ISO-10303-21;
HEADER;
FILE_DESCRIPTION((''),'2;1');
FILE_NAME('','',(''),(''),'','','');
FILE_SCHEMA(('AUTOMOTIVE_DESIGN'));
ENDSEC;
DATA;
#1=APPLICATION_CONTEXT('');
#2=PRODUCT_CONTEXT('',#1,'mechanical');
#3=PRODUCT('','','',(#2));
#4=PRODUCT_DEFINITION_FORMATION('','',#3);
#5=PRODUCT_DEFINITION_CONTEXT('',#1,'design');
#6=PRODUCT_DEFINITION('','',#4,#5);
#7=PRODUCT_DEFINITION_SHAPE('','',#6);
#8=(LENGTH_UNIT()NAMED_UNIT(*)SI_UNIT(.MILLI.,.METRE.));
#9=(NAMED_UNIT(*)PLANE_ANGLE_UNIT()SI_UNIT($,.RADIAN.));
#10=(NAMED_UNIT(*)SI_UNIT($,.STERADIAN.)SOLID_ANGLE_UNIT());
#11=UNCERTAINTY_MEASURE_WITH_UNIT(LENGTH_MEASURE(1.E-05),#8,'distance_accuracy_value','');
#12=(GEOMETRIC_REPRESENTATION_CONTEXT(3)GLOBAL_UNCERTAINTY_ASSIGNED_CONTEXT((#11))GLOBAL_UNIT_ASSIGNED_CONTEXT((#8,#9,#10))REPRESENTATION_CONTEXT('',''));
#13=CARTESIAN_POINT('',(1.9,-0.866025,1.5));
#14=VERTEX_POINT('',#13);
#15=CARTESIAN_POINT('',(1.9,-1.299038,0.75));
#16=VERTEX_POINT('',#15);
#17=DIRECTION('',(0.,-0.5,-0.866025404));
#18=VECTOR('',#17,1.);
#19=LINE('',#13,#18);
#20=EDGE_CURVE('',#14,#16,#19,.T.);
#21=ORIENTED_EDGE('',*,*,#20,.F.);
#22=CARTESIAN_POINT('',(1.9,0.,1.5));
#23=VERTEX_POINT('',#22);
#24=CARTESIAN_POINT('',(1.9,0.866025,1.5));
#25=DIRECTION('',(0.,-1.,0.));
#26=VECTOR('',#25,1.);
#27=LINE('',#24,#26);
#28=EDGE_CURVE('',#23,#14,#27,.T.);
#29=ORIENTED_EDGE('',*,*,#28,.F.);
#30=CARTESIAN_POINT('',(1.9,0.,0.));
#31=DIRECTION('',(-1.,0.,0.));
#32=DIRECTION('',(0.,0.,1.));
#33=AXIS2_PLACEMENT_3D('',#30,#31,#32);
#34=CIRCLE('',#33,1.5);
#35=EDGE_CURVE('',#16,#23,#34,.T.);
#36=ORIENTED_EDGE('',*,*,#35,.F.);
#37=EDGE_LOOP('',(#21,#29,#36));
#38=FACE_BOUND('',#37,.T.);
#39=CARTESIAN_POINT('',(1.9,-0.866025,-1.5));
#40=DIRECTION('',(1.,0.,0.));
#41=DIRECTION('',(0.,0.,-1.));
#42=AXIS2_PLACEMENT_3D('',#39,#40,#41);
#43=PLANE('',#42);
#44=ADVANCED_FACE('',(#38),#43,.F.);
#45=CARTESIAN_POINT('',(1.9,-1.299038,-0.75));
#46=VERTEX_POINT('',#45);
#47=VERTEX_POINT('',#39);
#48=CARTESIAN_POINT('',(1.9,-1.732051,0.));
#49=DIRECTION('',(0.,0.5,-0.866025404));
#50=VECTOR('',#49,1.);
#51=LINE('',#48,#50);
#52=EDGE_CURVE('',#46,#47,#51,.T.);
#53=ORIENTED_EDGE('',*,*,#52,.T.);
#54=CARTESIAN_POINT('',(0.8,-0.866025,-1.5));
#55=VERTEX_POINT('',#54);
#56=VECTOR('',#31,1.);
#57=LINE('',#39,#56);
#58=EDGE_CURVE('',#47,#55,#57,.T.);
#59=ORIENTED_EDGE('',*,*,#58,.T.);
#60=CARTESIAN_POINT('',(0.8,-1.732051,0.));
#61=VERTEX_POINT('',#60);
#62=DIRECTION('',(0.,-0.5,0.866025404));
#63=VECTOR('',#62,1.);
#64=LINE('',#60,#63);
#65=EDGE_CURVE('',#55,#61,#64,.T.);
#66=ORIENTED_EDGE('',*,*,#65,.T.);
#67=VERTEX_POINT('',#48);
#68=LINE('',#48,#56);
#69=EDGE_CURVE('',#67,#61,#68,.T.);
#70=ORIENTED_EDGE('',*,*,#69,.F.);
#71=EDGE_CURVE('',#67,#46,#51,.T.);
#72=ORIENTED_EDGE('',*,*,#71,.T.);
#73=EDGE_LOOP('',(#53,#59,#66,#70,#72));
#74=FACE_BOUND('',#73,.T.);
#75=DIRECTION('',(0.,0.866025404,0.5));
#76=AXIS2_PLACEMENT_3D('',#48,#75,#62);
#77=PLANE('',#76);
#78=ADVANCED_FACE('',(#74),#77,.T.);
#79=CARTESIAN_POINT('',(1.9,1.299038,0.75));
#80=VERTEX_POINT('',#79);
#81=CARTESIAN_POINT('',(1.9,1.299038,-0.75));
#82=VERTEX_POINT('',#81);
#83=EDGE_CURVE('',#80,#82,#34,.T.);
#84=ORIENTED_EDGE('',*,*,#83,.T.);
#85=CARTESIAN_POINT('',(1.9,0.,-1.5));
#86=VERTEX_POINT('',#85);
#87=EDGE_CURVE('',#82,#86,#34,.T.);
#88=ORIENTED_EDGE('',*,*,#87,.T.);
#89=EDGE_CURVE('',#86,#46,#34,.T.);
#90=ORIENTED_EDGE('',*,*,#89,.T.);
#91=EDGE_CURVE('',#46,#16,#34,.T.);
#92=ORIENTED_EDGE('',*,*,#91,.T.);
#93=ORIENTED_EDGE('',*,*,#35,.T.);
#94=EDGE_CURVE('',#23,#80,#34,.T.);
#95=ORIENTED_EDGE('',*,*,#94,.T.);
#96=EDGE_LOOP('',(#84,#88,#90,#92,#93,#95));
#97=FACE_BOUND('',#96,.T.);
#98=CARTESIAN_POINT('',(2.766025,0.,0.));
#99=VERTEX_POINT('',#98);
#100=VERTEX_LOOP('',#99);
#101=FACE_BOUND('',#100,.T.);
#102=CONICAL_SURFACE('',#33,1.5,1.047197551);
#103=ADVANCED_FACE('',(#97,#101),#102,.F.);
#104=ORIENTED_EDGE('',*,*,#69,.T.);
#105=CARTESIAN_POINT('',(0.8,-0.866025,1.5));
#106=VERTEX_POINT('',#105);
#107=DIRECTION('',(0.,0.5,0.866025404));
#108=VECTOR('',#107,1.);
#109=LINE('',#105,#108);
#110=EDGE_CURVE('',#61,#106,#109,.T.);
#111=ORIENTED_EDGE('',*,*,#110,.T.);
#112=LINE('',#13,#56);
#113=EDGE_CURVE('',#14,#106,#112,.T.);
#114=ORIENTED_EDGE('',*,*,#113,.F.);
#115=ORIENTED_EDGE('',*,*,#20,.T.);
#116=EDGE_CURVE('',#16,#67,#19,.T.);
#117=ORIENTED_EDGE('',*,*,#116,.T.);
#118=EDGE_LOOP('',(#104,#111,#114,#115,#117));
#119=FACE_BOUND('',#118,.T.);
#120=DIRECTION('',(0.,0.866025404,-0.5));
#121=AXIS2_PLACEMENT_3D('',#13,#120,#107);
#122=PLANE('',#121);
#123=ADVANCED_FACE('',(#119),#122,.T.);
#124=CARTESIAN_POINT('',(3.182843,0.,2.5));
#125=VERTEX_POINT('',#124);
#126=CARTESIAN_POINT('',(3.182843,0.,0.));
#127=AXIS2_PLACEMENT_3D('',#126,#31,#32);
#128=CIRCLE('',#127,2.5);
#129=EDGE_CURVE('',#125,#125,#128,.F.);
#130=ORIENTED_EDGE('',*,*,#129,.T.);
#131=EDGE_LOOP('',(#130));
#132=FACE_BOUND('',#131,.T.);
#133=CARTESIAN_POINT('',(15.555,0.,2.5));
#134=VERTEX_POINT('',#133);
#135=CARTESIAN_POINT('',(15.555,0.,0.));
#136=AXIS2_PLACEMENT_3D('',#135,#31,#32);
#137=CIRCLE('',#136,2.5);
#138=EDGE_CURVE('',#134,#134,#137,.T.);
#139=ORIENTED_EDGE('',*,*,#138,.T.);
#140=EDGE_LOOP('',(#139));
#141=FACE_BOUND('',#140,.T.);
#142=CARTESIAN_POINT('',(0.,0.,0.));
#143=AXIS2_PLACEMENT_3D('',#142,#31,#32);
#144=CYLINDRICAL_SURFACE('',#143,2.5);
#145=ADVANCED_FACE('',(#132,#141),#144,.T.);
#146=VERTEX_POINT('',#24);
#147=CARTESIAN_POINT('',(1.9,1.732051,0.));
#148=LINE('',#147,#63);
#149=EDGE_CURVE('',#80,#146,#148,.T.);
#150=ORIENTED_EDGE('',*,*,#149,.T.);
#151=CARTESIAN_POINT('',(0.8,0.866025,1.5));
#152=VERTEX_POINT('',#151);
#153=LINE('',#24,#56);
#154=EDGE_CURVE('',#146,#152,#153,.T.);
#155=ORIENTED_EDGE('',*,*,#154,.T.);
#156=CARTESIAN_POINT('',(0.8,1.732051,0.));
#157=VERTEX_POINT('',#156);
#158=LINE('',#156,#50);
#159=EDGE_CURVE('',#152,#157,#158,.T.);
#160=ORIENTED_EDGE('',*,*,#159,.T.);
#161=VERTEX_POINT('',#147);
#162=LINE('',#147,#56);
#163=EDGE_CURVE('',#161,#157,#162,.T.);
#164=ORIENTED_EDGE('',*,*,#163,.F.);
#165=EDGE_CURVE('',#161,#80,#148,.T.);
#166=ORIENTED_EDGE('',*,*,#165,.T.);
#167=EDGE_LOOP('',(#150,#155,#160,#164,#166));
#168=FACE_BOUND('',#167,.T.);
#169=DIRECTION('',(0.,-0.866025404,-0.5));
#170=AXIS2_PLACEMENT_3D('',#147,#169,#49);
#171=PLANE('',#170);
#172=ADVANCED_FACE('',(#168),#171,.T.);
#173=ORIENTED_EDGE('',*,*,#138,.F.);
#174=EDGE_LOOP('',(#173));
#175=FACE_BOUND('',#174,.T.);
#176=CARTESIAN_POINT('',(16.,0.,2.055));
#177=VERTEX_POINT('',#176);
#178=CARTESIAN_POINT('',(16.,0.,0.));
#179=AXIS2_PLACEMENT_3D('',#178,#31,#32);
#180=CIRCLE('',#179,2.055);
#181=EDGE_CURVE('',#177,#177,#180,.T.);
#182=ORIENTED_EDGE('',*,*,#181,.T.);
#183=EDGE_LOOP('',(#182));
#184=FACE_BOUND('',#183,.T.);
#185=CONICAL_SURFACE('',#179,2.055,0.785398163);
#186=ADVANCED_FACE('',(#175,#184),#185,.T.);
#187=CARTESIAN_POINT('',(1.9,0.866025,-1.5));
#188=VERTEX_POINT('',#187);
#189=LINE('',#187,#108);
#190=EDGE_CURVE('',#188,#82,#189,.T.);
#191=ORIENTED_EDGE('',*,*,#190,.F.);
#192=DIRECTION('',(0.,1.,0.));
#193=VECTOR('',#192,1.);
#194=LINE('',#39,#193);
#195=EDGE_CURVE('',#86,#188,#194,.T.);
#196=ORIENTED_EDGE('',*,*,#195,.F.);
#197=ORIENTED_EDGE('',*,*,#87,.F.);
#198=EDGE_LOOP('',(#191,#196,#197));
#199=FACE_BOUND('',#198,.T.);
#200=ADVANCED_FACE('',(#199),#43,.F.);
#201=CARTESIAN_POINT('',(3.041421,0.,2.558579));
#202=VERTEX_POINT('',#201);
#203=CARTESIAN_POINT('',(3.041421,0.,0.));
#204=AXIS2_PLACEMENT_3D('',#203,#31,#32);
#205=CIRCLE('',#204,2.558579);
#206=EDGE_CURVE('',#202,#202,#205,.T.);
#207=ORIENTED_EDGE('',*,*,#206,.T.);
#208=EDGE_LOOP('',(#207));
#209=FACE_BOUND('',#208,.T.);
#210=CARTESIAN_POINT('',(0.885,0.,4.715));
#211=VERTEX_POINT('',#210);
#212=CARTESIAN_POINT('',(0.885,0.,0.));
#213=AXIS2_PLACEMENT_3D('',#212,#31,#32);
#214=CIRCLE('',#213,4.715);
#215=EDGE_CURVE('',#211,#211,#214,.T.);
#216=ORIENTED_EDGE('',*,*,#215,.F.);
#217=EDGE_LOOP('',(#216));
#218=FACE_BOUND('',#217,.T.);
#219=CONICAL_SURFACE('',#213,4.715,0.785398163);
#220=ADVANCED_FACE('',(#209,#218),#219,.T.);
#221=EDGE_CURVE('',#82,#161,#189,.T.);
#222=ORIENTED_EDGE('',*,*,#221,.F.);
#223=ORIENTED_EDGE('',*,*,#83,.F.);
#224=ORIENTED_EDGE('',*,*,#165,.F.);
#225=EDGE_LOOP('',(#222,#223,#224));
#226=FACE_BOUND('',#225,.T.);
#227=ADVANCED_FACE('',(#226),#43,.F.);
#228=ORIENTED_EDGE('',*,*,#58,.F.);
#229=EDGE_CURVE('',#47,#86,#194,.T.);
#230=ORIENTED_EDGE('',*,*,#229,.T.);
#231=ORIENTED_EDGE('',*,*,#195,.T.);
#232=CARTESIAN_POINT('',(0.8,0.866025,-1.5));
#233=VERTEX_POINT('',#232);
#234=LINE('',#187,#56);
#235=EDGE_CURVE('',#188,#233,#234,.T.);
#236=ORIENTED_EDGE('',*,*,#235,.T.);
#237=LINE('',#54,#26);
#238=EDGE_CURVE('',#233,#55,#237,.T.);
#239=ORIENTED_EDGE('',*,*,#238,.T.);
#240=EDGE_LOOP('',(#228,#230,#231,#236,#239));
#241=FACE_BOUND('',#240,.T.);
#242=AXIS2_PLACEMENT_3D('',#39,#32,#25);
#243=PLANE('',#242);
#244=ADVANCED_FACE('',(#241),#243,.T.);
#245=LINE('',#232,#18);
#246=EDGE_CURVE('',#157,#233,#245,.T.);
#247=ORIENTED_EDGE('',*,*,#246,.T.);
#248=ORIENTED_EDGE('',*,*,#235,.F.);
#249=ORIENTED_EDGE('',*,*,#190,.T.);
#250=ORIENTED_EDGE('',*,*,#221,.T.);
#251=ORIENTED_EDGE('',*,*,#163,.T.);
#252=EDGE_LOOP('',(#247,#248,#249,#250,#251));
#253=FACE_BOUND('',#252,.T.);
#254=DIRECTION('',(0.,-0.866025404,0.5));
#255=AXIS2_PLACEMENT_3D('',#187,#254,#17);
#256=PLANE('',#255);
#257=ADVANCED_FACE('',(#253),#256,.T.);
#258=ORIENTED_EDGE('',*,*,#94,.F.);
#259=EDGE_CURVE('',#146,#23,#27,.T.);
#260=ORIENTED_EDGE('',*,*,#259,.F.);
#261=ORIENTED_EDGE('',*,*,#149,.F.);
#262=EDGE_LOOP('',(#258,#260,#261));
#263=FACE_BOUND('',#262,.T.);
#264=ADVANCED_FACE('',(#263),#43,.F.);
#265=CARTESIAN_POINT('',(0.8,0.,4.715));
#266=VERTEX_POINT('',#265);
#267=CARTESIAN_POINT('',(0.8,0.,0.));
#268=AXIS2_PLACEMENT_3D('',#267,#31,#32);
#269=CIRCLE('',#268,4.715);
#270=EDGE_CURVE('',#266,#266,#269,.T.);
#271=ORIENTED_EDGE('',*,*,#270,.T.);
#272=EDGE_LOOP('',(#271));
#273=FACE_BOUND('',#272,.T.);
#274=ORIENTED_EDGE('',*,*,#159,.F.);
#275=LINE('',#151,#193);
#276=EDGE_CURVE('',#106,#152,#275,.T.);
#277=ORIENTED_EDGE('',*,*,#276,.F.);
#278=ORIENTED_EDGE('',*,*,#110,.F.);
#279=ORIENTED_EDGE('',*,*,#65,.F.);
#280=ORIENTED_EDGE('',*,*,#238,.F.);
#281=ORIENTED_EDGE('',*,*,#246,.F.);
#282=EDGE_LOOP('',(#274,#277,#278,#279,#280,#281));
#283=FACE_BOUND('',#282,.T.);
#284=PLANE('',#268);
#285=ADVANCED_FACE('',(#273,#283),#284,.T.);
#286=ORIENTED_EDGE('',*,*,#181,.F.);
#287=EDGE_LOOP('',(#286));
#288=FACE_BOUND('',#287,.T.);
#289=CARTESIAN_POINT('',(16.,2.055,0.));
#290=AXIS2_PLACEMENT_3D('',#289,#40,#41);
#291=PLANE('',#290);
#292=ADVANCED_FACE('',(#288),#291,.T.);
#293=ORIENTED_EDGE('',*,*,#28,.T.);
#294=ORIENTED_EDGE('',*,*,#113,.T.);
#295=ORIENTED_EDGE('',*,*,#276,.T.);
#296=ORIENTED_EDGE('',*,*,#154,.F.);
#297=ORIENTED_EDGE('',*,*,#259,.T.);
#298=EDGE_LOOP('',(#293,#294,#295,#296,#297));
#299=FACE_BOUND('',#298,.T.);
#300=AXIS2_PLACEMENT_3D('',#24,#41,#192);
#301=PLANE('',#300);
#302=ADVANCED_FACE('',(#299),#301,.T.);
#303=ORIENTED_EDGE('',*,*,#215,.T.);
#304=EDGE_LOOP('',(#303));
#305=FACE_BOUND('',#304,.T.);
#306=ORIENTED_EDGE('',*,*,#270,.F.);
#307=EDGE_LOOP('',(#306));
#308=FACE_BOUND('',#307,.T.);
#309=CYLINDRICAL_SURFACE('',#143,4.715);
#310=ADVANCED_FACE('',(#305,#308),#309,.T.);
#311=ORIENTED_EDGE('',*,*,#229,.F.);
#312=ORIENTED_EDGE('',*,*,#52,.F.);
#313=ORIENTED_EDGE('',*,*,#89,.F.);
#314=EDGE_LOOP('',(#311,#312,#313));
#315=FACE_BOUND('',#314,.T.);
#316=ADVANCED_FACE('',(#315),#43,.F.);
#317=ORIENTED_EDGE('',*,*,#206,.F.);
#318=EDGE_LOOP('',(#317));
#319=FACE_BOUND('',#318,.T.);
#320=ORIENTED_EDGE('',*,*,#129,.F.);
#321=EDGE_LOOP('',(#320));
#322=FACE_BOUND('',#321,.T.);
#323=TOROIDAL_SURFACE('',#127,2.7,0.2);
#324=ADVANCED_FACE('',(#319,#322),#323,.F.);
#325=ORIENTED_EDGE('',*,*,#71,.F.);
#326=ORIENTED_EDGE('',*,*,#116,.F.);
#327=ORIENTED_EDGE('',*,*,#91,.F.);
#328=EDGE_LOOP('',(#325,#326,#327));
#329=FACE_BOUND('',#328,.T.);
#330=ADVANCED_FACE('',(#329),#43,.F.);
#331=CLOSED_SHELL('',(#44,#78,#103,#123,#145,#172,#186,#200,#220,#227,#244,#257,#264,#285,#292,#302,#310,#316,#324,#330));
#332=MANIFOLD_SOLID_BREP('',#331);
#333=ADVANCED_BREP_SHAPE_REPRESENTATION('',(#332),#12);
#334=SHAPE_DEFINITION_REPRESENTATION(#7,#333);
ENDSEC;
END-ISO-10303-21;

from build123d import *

# Parameters (mm, degrees)
FILLET1_R        = 0.2
HEX_2_DEPTH      = 1.9
EXTRUSION1_START = -0.8
ESQUISSE1_R      = 4.715
EXTRUSION1_DEPTH = 0.8


with BuildPart() as part:
    # BodySke → BaseBody (revolve)
    with BuildSketch(Plane.XY, mode=Mode.PRIVATE) as basebody_sk:
        Polygon((0, 0), (0, 4.715), (0.885, 4.715), (3.1, 2.5), (15.555, 2.5), (16, 2.055), (16, 0), align=None)
    revolve(basebody_sk.sketch.rotate(Axis((0, 0, 0), (1, 0, 0)), 90), axis=Axis((0, 0, 0), (1, 0, 0)))

    # Fillet1
    fillet1_edges = [part.edges().sort_by_distance(p)[0] for p in [
        (3.1, 0, -2.5),
    ]]
    fillet(fillet1_edges, radius=FILLET1_R)

    # Sketch2 → PreBroach (revolve, cut)
    with BuildSketch(Plane.XY, mode=Mode.PRIVATE) as prebroach_sk:
        Polygon((0, 1.5), (1.9, 1.5), (2.766025404, 0), (0, 0), align=None)
    revolve(prebroach_sk.sketch.rotate(Axis((0, 0, 0), (1, 0, 0)), 90), axis=Axis((0, 0, 0), (1, 0, 0)), mode=Mode.SUBTRACT)

    # Sketch3 → Hex 2 (cut)
    with BuildSketch(Plane.ZY):
        Polygon((-1.5, -0.866025404), (-1.5, 0.866025404), (0, 1.732050808), (1.5, 0.866025404), (1.5, -0.866025404), (0, -1.732050808), align=None)
    extrude(amount=-HEX_2_DEPTH, mode=Mode.SUBTRACT)

    # Esquisse1 → Extrusion1 (cut)
    with BuildSketch(Plane.ZY.offset(EXTRUSION1_START)):
        Circle(ESQUISSE1_R)
    extrude(amount=EXTRUSION1_DEPTH, mode=Mode.SUBTRACT)


solid = part.part
